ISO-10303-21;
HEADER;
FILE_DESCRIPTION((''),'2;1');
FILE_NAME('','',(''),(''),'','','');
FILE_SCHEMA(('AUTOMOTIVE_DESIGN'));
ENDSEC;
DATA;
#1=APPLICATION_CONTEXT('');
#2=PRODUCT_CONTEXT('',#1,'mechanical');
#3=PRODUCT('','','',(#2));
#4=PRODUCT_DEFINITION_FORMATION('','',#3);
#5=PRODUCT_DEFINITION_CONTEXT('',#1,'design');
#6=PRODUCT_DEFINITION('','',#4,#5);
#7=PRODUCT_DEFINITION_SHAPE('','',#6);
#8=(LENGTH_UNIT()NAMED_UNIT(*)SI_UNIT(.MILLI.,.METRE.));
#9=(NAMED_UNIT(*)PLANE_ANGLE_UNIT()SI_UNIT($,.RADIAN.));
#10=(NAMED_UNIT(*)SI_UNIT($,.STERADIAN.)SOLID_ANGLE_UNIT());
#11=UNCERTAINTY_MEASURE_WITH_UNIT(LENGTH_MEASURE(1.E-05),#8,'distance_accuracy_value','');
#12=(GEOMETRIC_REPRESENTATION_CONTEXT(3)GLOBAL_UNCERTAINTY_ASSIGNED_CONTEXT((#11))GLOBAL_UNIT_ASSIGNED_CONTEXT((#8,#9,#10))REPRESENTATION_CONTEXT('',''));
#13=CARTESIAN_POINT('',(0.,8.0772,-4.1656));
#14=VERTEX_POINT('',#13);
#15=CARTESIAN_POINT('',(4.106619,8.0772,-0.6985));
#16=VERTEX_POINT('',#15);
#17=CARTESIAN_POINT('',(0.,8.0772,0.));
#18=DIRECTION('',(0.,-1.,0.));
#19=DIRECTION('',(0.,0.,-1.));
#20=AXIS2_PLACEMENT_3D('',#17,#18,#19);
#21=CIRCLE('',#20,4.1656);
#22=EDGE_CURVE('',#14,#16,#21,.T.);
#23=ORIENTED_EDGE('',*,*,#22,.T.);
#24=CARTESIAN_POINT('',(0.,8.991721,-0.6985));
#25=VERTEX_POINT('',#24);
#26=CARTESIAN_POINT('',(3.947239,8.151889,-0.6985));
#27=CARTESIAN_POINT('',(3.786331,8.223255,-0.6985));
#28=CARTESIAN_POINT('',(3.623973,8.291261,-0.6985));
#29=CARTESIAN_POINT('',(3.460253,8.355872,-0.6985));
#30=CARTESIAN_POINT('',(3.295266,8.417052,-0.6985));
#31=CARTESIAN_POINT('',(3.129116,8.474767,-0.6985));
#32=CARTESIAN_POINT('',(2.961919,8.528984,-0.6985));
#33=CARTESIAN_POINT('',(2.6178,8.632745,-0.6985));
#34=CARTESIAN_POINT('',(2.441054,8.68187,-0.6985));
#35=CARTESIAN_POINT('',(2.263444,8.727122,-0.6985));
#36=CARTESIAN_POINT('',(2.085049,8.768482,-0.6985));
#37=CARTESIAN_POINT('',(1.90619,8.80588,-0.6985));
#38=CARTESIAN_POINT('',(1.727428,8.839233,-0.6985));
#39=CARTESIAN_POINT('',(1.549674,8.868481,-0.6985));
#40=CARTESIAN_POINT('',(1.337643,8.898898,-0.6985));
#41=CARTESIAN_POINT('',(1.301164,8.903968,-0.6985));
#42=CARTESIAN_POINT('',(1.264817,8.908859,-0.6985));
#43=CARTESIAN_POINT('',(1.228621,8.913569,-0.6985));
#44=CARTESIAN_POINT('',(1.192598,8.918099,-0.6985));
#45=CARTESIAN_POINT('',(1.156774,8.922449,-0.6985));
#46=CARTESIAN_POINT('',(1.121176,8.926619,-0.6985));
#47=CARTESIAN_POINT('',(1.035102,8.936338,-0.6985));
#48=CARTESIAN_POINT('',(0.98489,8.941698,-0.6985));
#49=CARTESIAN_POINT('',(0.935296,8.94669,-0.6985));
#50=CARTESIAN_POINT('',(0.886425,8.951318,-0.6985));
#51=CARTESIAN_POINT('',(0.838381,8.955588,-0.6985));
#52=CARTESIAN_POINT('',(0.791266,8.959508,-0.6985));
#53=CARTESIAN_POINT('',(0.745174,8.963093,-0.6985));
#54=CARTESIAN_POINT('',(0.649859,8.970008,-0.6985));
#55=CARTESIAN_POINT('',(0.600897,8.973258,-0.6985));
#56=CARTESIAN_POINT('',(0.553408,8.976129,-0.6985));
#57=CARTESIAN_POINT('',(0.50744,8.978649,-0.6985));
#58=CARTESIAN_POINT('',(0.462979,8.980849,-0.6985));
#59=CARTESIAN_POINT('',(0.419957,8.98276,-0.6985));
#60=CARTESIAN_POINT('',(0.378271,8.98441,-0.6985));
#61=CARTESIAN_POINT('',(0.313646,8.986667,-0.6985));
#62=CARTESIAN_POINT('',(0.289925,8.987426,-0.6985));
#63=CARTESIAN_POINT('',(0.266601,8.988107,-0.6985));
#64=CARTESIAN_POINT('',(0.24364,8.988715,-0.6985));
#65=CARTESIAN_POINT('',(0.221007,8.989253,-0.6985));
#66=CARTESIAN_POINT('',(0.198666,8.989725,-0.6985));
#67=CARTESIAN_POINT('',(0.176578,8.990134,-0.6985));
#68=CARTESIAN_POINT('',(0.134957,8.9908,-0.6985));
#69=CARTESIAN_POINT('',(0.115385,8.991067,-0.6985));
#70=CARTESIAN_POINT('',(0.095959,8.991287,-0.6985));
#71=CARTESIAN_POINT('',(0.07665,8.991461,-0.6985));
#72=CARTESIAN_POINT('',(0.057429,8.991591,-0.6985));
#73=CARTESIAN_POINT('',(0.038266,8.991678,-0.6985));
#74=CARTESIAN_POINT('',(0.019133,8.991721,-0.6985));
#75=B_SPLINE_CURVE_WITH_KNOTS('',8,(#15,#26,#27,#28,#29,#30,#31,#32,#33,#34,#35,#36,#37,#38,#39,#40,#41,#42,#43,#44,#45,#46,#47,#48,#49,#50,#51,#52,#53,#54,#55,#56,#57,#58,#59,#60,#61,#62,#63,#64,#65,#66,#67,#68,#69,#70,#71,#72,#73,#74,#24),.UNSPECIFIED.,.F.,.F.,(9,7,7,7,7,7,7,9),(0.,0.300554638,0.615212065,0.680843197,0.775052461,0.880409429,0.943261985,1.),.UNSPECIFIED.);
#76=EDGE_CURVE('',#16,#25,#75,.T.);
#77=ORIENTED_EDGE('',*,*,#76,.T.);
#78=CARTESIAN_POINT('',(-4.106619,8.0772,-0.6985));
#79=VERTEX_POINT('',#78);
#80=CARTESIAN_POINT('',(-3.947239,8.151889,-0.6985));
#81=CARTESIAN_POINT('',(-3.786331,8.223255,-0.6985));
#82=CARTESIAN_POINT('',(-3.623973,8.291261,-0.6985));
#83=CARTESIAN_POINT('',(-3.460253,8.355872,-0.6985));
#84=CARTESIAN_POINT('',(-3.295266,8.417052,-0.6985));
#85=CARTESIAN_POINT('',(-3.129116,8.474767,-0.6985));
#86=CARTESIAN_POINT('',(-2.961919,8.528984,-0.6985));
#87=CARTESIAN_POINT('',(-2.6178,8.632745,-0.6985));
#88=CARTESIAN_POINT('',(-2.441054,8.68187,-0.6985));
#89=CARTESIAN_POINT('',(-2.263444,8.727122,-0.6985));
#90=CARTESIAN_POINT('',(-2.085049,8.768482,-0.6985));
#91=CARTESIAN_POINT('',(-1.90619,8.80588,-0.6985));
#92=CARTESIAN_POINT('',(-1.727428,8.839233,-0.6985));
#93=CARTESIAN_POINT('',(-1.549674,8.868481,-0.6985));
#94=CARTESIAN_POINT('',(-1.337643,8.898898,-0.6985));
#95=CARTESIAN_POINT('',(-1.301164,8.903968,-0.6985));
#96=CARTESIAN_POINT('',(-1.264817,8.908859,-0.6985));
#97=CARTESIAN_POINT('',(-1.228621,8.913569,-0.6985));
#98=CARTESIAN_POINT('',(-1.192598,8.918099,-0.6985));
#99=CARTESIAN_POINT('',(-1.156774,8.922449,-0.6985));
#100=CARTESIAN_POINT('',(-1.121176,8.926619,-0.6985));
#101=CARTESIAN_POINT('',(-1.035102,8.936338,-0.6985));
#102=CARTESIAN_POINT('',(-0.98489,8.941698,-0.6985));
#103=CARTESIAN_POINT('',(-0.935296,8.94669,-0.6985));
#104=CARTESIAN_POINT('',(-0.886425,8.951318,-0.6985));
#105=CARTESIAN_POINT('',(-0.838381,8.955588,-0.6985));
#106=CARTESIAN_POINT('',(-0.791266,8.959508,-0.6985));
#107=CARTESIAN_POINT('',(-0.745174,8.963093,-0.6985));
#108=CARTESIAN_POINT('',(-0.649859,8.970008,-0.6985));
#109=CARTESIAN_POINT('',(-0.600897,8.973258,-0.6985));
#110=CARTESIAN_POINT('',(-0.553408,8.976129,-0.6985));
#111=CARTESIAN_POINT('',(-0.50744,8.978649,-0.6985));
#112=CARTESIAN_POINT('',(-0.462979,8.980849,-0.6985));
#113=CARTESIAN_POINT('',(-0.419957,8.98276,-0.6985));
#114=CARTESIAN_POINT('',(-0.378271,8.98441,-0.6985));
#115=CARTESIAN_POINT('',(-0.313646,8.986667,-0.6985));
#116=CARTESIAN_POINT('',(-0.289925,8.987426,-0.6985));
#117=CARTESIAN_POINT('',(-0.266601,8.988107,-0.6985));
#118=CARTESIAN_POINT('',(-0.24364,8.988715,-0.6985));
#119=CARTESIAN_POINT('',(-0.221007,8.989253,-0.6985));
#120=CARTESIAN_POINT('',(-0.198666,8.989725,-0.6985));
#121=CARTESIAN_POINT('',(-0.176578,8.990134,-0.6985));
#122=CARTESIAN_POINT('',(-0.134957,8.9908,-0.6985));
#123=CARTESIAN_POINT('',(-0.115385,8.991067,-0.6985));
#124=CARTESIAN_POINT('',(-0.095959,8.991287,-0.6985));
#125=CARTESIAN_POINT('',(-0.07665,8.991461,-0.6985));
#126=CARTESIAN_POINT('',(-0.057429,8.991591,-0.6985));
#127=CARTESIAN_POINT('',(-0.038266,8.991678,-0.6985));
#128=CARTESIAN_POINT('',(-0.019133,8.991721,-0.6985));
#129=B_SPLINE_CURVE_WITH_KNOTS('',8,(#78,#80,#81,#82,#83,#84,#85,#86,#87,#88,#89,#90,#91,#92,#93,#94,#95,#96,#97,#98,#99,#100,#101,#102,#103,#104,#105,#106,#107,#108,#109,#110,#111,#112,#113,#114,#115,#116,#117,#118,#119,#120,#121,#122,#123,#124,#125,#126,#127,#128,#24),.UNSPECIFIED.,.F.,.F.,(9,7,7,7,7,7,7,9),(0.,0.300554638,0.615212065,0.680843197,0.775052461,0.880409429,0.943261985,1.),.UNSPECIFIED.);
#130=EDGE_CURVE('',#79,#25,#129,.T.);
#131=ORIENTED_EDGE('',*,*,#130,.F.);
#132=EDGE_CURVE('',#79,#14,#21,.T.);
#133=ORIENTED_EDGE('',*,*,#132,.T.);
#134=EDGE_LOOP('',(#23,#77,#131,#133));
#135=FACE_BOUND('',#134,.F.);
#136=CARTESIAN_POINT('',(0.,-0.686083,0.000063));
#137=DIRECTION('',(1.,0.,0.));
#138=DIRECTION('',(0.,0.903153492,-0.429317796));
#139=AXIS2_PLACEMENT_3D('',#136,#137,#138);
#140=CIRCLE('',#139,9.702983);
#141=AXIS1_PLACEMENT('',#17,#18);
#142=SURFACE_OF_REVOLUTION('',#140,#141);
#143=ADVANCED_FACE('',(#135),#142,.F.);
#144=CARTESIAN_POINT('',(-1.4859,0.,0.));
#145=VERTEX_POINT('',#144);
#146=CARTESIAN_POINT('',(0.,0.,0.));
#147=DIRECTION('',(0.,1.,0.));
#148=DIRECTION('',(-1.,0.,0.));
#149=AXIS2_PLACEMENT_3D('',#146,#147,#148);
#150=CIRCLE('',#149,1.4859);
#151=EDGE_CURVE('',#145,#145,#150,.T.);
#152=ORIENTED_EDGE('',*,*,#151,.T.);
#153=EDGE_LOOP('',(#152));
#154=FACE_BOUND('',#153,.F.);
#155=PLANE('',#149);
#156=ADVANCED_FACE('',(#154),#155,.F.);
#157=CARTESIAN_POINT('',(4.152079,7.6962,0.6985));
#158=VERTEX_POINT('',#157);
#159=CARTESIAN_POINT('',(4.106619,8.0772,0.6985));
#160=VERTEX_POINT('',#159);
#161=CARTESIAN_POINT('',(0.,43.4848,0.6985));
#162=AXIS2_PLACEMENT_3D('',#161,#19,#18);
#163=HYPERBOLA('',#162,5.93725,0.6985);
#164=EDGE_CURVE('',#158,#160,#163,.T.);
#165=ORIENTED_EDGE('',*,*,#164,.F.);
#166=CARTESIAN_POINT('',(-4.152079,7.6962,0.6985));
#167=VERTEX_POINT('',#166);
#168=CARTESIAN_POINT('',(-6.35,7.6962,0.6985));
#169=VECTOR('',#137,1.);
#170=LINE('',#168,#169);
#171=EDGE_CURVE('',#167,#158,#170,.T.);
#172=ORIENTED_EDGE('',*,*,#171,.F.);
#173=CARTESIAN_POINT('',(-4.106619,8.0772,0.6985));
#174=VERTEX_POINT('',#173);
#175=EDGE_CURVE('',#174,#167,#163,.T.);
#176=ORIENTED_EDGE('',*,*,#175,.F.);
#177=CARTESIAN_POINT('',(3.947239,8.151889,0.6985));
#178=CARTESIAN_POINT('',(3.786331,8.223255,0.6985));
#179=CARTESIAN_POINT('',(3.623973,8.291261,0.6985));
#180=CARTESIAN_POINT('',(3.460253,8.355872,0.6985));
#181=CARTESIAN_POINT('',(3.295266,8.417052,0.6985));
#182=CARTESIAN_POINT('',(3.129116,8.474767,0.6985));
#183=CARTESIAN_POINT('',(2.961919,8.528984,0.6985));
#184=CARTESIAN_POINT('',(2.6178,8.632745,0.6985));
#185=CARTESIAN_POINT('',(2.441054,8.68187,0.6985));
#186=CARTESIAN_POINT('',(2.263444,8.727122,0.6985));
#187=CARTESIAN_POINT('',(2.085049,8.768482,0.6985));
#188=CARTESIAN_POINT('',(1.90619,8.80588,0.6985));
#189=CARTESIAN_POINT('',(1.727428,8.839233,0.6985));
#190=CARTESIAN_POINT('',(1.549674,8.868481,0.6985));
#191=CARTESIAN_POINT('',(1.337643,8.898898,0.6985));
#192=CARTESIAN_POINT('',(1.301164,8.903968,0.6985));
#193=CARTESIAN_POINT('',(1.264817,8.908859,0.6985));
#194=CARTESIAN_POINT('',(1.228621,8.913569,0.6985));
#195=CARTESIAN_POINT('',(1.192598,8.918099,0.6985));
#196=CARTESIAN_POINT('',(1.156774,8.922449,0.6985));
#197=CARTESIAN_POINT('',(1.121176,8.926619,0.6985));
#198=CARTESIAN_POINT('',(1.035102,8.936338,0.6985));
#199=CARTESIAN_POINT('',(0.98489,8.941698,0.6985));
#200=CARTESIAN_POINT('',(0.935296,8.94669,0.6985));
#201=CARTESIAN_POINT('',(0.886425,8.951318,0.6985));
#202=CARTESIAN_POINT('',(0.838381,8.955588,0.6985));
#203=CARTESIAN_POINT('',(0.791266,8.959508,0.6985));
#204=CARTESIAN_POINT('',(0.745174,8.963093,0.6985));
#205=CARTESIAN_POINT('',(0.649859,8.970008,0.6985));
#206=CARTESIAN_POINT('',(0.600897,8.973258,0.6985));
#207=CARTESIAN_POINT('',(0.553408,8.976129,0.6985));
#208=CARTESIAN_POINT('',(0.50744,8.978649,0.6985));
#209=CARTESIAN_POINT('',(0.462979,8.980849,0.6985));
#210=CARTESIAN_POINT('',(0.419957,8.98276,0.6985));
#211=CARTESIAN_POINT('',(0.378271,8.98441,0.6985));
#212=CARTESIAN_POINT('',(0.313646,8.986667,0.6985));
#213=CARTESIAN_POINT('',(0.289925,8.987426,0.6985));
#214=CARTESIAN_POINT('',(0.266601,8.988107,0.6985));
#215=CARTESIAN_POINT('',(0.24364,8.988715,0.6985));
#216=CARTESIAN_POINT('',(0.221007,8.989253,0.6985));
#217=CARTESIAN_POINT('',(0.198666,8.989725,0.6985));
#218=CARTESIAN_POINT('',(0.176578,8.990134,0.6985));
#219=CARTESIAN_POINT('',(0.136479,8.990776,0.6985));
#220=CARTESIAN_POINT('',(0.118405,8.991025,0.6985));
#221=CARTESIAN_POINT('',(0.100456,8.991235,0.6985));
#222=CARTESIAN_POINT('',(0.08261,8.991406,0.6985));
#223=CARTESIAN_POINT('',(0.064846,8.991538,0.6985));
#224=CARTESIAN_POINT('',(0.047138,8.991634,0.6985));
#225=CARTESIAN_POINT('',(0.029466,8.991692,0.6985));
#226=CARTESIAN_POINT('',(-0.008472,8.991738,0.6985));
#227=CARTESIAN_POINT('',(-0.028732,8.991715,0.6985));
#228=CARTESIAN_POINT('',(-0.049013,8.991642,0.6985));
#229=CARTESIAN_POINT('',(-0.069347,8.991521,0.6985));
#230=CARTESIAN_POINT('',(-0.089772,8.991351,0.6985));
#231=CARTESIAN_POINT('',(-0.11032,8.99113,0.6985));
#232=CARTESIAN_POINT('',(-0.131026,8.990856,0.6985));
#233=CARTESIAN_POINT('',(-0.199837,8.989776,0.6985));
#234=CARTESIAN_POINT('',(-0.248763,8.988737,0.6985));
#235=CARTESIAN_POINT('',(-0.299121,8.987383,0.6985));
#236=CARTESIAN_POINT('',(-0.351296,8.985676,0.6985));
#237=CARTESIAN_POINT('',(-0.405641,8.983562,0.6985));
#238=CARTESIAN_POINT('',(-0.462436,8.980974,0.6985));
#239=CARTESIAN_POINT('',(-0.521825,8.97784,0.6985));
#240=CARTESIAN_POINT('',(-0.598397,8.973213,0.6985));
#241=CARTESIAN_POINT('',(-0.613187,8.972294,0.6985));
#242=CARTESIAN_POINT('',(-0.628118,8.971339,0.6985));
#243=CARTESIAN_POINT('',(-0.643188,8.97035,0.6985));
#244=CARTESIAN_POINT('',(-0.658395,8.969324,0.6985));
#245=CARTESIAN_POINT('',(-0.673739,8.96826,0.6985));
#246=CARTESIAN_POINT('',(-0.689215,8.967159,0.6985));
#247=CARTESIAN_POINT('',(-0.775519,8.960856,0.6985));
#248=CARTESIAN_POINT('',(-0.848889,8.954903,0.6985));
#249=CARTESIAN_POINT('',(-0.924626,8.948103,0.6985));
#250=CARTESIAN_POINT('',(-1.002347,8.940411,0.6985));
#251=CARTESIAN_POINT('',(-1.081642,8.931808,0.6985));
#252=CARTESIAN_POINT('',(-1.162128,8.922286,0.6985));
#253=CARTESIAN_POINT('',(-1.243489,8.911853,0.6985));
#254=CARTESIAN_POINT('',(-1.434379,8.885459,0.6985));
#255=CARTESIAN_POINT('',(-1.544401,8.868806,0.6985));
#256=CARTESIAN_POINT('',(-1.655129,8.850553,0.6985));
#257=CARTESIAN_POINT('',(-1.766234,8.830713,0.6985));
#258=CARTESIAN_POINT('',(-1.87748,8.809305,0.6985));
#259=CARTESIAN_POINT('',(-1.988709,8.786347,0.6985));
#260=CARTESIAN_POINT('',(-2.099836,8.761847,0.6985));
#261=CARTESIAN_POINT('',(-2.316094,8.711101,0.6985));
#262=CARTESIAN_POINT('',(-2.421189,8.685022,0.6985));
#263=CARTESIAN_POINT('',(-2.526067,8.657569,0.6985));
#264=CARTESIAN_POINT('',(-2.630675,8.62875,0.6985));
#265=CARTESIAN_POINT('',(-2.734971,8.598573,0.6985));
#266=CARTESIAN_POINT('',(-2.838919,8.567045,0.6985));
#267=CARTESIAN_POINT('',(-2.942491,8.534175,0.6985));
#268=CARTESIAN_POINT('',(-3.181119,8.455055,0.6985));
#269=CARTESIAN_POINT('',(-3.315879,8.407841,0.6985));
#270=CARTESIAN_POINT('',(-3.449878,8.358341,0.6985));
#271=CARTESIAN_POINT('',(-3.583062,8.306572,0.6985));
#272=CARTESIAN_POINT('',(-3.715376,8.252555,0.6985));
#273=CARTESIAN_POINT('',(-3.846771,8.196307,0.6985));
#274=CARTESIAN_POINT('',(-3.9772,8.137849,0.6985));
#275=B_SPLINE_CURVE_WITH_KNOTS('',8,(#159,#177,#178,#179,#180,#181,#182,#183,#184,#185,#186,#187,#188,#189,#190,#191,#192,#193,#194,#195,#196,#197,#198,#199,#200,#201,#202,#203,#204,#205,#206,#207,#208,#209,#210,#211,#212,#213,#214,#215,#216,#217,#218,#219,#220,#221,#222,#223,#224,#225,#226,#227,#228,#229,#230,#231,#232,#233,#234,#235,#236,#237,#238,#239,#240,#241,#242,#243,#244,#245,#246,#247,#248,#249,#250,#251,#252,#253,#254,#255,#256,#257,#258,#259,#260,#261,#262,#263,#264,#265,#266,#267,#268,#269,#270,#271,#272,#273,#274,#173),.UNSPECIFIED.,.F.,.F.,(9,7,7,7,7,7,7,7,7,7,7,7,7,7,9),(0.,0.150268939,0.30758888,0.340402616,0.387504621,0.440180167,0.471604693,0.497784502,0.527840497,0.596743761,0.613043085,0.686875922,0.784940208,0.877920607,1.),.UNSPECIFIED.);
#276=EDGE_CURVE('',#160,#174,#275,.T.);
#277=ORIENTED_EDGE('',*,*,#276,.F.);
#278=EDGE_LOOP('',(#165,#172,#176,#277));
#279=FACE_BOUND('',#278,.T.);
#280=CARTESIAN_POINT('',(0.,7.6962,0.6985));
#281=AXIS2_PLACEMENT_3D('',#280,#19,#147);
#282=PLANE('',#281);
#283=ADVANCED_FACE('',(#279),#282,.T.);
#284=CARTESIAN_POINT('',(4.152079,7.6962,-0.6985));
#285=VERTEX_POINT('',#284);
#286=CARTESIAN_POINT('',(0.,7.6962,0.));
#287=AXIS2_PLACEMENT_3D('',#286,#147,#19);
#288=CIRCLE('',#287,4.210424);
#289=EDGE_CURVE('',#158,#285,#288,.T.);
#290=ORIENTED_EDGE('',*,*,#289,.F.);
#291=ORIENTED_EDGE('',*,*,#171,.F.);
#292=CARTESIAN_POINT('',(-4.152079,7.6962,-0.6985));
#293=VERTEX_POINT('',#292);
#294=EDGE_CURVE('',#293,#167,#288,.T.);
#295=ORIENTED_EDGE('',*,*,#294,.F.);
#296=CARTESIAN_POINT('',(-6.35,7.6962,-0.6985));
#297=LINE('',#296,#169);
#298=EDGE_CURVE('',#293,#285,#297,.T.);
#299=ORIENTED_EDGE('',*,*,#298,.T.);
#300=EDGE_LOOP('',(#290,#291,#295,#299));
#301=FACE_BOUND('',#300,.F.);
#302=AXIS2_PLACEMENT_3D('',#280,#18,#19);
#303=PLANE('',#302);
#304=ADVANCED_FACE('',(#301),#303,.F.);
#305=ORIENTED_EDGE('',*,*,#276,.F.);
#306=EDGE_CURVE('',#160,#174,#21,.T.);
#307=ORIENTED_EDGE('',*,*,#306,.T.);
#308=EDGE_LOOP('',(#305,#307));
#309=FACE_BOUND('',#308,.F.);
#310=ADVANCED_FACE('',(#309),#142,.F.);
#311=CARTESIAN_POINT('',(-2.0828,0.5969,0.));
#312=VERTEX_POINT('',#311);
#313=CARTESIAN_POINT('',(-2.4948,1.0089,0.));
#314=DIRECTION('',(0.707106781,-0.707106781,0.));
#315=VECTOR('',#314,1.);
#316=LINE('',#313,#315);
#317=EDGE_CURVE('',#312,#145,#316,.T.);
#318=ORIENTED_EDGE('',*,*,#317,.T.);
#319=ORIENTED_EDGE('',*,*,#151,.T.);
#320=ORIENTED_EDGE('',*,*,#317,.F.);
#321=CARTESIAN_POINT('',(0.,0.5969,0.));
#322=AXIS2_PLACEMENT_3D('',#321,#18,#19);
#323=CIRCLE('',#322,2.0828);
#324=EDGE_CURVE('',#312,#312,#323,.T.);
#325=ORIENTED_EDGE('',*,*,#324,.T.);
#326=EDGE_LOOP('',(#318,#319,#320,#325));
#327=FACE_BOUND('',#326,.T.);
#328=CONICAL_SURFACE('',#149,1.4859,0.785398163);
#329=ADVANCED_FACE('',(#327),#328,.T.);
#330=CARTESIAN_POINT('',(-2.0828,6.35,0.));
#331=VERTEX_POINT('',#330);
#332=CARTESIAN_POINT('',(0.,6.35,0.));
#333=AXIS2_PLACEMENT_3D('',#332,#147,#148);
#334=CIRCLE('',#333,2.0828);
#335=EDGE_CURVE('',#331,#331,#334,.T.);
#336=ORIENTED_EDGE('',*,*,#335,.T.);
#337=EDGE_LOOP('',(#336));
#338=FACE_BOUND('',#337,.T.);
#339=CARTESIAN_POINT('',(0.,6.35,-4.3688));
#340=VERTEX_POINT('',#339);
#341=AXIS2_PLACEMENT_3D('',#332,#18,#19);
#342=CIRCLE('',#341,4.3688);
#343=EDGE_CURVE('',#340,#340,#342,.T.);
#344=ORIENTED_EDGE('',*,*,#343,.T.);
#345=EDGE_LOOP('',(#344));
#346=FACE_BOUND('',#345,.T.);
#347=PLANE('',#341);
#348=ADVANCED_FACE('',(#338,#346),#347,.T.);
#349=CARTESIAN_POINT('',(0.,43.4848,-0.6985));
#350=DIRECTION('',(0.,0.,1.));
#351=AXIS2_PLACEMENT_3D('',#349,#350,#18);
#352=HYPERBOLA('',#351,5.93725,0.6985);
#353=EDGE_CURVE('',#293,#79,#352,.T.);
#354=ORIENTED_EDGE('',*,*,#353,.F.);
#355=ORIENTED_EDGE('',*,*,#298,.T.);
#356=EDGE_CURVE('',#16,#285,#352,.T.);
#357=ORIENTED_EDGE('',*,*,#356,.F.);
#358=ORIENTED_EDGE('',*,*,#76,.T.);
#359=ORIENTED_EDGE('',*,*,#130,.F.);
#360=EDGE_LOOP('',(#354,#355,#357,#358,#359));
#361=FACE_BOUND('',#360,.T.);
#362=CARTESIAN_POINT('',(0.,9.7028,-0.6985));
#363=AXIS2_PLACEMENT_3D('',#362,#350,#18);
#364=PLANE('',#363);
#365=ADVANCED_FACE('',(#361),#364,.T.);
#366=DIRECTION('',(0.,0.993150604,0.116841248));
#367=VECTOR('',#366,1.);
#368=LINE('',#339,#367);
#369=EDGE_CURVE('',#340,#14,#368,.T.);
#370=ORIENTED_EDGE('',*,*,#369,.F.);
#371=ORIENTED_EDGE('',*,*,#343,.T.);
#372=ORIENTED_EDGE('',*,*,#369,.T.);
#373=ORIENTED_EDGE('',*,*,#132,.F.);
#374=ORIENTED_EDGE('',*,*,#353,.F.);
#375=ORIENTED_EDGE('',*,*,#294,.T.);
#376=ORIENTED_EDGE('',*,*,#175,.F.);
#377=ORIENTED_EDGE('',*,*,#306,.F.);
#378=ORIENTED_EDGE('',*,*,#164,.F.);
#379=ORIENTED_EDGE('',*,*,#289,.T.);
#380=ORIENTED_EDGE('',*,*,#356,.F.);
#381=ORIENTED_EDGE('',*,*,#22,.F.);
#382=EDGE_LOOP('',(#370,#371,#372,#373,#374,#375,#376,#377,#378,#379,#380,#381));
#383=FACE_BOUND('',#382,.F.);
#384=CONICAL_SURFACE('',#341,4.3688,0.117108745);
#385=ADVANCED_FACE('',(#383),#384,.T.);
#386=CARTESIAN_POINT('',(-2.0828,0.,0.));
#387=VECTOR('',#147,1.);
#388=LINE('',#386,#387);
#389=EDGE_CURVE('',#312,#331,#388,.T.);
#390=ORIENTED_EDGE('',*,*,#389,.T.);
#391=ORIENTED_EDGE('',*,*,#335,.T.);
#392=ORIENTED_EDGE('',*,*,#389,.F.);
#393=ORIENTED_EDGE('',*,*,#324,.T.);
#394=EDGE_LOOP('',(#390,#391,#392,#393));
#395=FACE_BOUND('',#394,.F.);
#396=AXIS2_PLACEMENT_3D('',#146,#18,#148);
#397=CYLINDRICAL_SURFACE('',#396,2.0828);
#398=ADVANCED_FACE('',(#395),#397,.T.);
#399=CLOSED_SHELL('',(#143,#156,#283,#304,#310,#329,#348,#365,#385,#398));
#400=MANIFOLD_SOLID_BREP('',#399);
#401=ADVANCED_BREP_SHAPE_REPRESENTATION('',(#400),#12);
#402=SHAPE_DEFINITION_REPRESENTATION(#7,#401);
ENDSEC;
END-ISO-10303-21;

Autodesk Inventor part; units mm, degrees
ref_plane "YZ Plane" through (0, 0, 0) normal (1, 0, 0) x (0, 1, 0)
ref_plane "XZ Plane" through (0, 0, 0) normal (0, 1, 0) x (-1, 0, 0)
ref_plane "XY Plane" through (0, 0, 0) normal (0, 0, 1) x (1, 0, 0)
sketch "Sketch1" plane through (0, 0, 0) normal (0, 1, 0) x (-1, 0, 0)
  circle A0 centre (0, 0) radius 2.0828
  dimension "d4" = 4.1656
extrude "Body" add sketch "Sketch1" along normal blind 6.35
sketch "Sketch2" plane through (0, 0, 0) normal (1, 0, 0) x (0, 1, 0)
  line L0 (6.35, -2.0828) -> (6.35, 2.0828) projected
  line L1 (6.35, 0) -> (6.35, -4.3688)
  line L2 (8.0772, 0) -> (6.35, 0)
  line L3 (8.0772, 0) -> (8.0772, -4.1656)
  arc A0 (8.0772, -4.1656) -> (9.0169, 0) centre (-0.6859, 0) ccw
  line L4 (6.35, -4.3688) -> (8.0772, -4.1656)
  line L5 (8.0772, 0) -> (9.0169, 0)
  point P0 (0, 0)
  point P1 (6.35, -2.0828)
  dimension "d5" = 4.3688
  dimension "d13" = 1.7272
  dimension "d57" = 4.1656
  dimension "d58" = 9.7028
  dimension "d59" = 0
revolve "Head" add sketch "Sketch2" angle 360 about axis through (0, 8.0772, 0) along (0, -1, 0)
sketch "Sketch5" plane through (0, 0, 0) normal (1, 0, 0) x (0, 1, 0)
  line L0 (0, -2.0828) -> (6.35, -2.0828) projected
  line L1 (6.35, 4.3688) -> (6.35, -4.3688) projected
  line L2 (6.35, -2.0828) -> (6.35, 2.0828) projected
  line L3 (0.0745, -2.0828) -> (-0.2261, -2.6035)
  line L4 (-0.2261, -2.6035) -> (-0.3253, -2.6035)
  line L5 (-0.3253, -2.6035) -> (-0.626, -2.0828)
  line L6 (0.0686, -2.6035) -> (-0.7252, -2.6035) construction
  line L7 (-0.626, -2.0828) -> (0.0745, -2.0828)
  line L8 (0, -2.0828) -> (6.35, -2.0828) projected
  point P0 (0, 0)
  dimension "d31" = 30
  dimension "d32" = 60
  dimension "a" = 0.0992
  dimension "d46" = 0.7937
  dimension "d54" = 0.0686
  dimension "d55" = 0.5207
  dimension "d56" = 0.0992
feature "Thread" [suppressed]
sketch "Sketch6" plane through (0, 0, 0) normal (0, 0, 1) x (1, 0, 0)
  line L0 (0, 0) -> (-1.4859, 0)
  line L1 (2.0828, 0) -> (-2.0828, 0) projected
  line L2 (-1.4859, 0) -> (-2.4948, 1.0089)
  line L3 (-2.4948, 1.0089) -> (-2.9651, -1.2188)
  line L4 (-2.9651, -1.2188) -> (-1.4859, -1.2188)
  line L5 (-2.0828, 0) -> (-2.0828, 6.35) projected
  line L6 (-1.4859, -1.2188) -> (-1.4859, 0)
  line L7 (0, -2.7326) -> (0, 7.8638) projected
  point P0 (-2.0828, 0.5969)
  dimension "d49" = 1.4859
  dimension "d50" = 135
revolve "Tapered End" cut sketch "Sketch6" angle 360 about axis through (0, -10, 0) along (0, 1, 0)
sketch "Sketch7" plane through (0, 0, 0) normal (1, 0, 0) x (0, 1, 0)
  line L0 (6.35, 4.3688) -> (6.35, -4.3688) projected
  line L1 (7.6962, 0.6985) -> (7.6962, -0.6985)
  line L2 (7.6962, 0.6985) -> (9.7028, 0.6985)
  line L3 (9.7028, 0.6985) -> (9.7028, -0.6985)
  line L4 (9.7028, -0.6985) -> (7.6962, -0.6985)
  point P0 (0, 0)
  dimension "d61" = 1.397
  dimension "d62" = 0.6985
  dimension "d65" = 7.6962
  dimension "d66" = 2.0066
extrude "Flathead" cut sketch "Sketch7" against normal mid plane 12.7
equation "\"d56\" = a"
properties part number "Screw 8-32 Nylon 1.250" material "Black"
